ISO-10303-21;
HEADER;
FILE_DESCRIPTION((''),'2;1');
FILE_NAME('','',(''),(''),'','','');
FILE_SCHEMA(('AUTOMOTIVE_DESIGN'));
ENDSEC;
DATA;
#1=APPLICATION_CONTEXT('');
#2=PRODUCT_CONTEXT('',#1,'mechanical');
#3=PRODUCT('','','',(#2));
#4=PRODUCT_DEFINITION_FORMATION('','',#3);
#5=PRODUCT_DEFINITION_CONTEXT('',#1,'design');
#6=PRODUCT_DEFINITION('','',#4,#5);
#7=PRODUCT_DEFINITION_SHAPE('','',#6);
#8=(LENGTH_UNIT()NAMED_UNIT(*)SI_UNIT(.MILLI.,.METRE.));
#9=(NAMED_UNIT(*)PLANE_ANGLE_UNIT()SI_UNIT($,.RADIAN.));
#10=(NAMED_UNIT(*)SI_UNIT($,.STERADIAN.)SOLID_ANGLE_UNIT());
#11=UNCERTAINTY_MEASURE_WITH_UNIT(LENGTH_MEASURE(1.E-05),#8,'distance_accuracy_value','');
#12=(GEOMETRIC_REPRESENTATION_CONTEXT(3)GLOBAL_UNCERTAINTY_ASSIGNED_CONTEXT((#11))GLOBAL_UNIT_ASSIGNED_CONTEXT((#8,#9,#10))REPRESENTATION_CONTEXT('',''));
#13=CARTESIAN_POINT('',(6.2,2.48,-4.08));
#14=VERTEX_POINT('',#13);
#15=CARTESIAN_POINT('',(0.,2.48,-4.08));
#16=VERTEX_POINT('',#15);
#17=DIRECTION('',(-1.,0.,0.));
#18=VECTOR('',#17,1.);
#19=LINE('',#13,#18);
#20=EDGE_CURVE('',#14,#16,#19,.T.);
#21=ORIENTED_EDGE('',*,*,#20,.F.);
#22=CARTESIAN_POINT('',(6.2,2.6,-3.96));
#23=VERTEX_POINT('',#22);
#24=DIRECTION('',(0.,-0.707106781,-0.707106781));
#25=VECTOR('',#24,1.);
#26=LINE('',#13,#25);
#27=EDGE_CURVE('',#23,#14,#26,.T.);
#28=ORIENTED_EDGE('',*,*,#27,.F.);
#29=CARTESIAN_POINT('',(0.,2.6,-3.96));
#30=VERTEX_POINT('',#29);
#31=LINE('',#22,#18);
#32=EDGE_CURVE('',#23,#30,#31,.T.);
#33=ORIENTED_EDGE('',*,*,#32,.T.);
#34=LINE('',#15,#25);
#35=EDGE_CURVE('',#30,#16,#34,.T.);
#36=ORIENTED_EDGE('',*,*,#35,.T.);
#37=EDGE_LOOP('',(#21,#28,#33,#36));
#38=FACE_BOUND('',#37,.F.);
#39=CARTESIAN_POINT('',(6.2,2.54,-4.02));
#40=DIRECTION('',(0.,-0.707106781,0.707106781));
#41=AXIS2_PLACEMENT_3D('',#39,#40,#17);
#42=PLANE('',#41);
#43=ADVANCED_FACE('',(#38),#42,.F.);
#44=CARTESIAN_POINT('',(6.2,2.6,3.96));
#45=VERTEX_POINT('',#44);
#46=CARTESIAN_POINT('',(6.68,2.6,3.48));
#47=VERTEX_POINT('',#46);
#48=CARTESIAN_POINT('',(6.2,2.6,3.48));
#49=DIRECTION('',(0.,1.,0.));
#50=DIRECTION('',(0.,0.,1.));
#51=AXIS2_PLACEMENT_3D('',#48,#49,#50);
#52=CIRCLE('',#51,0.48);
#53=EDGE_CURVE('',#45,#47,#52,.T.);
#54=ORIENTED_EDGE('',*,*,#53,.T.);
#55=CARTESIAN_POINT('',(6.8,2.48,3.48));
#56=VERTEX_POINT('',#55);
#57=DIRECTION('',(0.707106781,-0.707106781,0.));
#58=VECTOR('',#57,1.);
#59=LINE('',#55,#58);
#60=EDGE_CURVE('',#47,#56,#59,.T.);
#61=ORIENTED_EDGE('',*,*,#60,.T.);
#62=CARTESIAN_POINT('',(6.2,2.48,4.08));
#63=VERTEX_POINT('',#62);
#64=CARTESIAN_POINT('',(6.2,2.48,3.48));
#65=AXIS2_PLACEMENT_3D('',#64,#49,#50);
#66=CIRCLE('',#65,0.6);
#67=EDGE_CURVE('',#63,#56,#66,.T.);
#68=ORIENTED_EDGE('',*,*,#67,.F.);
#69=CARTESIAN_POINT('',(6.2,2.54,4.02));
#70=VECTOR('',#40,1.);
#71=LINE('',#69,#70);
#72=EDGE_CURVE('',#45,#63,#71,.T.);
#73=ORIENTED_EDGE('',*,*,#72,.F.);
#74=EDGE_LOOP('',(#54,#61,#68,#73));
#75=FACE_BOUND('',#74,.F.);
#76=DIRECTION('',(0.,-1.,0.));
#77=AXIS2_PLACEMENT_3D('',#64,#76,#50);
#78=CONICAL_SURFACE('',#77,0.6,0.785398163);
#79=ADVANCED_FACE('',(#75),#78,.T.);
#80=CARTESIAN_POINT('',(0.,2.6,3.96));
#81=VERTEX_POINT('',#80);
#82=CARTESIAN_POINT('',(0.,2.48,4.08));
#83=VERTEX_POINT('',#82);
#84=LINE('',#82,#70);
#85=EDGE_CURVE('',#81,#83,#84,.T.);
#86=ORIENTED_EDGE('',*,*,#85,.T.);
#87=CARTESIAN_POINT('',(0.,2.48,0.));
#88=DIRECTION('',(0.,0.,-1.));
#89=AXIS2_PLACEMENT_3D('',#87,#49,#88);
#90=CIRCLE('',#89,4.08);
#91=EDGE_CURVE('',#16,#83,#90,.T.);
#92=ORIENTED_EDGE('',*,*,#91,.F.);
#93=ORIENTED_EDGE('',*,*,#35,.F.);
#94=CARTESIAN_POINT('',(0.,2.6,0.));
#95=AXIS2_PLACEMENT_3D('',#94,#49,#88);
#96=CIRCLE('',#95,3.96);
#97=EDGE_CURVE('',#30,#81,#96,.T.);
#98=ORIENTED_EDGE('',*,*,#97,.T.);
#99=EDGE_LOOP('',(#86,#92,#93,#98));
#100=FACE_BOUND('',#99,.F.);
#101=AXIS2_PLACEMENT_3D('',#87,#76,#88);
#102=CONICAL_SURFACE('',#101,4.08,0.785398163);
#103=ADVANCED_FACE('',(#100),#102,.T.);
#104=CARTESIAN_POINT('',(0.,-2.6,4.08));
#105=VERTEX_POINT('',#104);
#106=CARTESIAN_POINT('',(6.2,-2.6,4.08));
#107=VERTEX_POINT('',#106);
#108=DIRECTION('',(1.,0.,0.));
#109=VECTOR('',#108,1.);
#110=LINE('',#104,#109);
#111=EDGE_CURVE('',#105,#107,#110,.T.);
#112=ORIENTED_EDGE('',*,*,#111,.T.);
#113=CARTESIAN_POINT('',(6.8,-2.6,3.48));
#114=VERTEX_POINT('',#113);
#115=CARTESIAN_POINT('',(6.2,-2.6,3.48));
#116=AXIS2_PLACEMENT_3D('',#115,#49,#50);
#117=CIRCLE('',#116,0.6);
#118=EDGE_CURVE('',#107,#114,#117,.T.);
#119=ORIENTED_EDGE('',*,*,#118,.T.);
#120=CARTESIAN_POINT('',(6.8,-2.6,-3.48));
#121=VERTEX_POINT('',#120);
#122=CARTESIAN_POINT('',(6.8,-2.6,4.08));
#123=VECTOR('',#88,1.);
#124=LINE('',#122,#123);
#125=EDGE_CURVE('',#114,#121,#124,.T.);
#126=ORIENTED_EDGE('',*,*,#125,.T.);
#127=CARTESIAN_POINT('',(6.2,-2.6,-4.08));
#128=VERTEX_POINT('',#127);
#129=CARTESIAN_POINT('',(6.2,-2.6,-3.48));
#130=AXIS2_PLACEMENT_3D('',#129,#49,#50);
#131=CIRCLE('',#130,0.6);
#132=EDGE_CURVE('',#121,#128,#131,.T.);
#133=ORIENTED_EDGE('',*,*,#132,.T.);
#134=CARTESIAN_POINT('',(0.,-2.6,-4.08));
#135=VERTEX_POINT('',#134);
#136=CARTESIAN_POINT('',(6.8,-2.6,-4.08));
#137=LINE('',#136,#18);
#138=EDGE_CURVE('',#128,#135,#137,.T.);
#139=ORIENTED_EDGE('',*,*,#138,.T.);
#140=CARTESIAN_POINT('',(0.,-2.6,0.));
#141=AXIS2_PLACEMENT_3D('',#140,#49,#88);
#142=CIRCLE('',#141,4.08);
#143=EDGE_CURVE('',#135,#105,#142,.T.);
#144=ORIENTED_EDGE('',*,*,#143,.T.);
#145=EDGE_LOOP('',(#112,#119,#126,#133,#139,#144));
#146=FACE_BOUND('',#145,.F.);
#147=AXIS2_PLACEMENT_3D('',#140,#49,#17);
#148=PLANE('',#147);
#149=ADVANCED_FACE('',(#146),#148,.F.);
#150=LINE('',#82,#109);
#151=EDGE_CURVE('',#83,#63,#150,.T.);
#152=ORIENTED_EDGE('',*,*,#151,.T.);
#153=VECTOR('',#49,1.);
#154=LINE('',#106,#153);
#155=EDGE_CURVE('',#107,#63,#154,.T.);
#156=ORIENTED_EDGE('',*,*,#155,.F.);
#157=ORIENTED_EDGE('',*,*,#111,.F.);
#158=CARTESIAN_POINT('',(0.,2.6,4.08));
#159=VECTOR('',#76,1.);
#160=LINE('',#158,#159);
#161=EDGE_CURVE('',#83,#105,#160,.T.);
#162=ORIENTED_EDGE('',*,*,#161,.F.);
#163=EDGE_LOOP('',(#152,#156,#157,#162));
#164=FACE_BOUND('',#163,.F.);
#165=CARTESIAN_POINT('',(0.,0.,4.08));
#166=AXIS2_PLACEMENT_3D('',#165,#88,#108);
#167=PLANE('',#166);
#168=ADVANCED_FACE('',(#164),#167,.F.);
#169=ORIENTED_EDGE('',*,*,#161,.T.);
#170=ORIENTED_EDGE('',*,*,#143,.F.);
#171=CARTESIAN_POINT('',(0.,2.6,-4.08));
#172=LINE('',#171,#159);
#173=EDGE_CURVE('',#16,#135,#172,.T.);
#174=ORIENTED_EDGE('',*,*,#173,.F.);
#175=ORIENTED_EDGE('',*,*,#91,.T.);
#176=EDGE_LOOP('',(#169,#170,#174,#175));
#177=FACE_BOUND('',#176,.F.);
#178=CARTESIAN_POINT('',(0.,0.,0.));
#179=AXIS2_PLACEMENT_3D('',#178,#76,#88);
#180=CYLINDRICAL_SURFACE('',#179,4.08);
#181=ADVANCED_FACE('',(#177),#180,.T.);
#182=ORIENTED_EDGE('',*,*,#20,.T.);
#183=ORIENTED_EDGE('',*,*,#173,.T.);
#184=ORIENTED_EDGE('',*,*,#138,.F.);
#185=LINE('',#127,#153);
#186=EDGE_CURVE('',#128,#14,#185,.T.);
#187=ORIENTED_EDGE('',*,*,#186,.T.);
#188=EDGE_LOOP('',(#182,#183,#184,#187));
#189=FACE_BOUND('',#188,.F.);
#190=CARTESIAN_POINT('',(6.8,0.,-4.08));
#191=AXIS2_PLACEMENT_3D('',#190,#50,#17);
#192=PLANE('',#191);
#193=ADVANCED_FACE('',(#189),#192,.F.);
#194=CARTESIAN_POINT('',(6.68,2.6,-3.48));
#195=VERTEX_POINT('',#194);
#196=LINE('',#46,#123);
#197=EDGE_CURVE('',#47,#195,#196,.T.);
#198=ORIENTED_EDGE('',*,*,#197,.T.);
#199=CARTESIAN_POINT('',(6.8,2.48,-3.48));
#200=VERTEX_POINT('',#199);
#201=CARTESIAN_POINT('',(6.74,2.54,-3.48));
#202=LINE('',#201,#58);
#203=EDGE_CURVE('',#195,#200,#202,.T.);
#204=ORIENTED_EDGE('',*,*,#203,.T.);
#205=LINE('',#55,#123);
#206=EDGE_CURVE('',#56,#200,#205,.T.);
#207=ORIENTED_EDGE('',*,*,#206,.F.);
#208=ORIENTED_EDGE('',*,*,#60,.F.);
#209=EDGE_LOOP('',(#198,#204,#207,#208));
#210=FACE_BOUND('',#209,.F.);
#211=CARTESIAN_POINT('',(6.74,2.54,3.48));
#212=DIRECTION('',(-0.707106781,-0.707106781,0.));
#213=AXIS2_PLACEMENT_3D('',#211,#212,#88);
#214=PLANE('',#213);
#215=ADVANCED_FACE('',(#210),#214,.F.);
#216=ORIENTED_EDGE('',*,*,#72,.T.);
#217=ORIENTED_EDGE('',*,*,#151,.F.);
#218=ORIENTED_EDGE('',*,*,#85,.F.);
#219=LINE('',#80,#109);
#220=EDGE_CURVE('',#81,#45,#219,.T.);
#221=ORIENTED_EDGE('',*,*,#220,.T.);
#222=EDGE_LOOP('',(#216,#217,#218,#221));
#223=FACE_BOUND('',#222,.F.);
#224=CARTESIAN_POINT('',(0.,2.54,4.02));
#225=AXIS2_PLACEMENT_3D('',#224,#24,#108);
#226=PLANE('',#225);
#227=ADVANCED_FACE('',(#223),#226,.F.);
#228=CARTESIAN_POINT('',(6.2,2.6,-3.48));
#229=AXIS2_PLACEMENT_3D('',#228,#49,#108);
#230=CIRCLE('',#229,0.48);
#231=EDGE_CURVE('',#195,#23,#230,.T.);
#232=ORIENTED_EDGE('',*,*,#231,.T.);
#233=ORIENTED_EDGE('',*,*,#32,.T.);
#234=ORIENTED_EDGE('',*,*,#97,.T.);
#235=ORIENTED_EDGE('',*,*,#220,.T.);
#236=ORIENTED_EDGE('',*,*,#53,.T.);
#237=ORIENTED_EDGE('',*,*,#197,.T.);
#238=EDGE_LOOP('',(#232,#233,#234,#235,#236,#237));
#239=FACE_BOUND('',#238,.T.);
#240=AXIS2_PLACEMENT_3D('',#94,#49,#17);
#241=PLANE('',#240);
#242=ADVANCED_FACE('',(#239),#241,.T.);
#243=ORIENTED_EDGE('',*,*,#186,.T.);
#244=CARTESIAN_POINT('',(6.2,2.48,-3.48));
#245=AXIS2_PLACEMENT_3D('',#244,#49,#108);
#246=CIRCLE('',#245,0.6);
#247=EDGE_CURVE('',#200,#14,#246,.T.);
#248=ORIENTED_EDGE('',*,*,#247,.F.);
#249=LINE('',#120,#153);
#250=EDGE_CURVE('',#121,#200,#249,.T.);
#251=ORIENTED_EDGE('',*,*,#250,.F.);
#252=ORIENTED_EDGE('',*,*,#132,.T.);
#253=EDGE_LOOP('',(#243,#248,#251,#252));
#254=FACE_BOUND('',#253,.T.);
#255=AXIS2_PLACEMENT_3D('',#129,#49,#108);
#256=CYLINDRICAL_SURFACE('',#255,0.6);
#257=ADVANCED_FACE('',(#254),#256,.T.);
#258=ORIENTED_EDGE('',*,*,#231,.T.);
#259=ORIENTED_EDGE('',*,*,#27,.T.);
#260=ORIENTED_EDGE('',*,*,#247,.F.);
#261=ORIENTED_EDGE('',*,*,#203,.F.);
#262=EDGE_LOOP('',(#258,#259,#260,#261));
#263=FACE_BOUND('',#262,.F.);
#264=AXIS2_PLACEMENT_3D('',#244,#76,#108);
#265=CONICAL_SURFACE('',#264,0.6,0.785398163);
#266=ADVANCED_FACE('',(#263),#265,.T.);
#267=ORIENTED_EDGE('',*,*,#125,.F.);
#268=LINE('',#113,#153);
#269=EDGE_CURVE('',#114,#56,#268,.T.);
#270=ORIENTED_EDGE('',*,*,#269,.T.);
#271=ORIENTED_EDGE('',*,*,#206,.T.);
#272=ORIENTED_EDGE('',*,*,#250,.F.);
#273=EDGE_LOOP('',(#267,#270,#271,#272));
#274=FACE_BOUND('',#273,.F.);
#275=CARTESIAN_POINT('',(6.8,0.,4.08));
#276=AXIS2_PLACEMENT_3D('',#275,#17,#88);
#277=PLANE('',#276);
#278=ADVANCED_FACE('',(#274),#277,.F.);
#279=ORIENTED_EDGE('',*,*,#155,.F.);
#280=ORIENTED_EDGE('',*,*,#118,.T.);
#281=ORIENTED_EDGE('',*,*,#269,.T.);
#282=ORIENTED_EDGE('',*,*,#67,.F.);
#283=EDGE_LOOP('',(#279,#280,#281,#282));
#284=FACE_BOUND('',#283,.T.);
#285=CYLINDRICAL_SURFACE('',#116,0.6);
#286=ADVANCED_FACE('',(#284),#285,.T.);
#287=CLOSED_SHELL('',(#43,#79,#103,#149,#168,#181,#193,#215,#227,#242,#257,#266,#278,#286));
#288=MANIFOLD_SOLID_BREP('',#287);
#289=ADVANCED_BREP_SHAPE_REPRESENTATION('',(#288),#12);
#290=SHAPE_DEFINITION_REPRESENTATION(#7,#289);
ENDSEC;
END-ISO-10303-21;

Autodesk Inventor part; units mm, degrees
ref_plane "YZ Plane" through (0, 0, 0) normal (1, 0, 0) x (0, 1, 0)
ref_plane "XZ Plane" through (0, 0, 0) normal (0, 1, 0) x (-1, 0, 0)
ref_plane "XY Plane" through (0, 0, 0) normal (0, 0, 1) x (1, 0, 0)
sketch "Sketch2" plane through (0, 0, 0) normal (0, 1, 0) x (-1, 0, 0)
  line L0 (-6.8, 4.08) -> (-6.8, -4.08)
  line L1 (-6.8, -4.08) -> (0, -4.08)
  arc A0 (0, -4.08) -> (0, 4.08) centre (0, 0) ccw
  line L2 (0, 4.08) -> (-6.8, 4.08)
  dimension "d0" = 8.16
  dimension "d1" = 6.8
extrude "Extrusion1" add sketch "Sketch2" along normal mid plane 5.2
fillet "Fillet1" radius 0.6 2 edges at (6.8, 0, 4.08) (6.8, 0, -4.08)
chamfer "Chamfer1" distance 0.12 angle 45 6 edges at (-4.08, 2.6, 0) (3.1, 2.6, 4.08) (6.6243, 2.6, 3.9043) (6.8, 2.6, 0) (6.6243, 2.6, -3.9043) (3.1, 2.6, -4.08)
properties part number "99145-LtBluishGray" material "ABS Plastic"
